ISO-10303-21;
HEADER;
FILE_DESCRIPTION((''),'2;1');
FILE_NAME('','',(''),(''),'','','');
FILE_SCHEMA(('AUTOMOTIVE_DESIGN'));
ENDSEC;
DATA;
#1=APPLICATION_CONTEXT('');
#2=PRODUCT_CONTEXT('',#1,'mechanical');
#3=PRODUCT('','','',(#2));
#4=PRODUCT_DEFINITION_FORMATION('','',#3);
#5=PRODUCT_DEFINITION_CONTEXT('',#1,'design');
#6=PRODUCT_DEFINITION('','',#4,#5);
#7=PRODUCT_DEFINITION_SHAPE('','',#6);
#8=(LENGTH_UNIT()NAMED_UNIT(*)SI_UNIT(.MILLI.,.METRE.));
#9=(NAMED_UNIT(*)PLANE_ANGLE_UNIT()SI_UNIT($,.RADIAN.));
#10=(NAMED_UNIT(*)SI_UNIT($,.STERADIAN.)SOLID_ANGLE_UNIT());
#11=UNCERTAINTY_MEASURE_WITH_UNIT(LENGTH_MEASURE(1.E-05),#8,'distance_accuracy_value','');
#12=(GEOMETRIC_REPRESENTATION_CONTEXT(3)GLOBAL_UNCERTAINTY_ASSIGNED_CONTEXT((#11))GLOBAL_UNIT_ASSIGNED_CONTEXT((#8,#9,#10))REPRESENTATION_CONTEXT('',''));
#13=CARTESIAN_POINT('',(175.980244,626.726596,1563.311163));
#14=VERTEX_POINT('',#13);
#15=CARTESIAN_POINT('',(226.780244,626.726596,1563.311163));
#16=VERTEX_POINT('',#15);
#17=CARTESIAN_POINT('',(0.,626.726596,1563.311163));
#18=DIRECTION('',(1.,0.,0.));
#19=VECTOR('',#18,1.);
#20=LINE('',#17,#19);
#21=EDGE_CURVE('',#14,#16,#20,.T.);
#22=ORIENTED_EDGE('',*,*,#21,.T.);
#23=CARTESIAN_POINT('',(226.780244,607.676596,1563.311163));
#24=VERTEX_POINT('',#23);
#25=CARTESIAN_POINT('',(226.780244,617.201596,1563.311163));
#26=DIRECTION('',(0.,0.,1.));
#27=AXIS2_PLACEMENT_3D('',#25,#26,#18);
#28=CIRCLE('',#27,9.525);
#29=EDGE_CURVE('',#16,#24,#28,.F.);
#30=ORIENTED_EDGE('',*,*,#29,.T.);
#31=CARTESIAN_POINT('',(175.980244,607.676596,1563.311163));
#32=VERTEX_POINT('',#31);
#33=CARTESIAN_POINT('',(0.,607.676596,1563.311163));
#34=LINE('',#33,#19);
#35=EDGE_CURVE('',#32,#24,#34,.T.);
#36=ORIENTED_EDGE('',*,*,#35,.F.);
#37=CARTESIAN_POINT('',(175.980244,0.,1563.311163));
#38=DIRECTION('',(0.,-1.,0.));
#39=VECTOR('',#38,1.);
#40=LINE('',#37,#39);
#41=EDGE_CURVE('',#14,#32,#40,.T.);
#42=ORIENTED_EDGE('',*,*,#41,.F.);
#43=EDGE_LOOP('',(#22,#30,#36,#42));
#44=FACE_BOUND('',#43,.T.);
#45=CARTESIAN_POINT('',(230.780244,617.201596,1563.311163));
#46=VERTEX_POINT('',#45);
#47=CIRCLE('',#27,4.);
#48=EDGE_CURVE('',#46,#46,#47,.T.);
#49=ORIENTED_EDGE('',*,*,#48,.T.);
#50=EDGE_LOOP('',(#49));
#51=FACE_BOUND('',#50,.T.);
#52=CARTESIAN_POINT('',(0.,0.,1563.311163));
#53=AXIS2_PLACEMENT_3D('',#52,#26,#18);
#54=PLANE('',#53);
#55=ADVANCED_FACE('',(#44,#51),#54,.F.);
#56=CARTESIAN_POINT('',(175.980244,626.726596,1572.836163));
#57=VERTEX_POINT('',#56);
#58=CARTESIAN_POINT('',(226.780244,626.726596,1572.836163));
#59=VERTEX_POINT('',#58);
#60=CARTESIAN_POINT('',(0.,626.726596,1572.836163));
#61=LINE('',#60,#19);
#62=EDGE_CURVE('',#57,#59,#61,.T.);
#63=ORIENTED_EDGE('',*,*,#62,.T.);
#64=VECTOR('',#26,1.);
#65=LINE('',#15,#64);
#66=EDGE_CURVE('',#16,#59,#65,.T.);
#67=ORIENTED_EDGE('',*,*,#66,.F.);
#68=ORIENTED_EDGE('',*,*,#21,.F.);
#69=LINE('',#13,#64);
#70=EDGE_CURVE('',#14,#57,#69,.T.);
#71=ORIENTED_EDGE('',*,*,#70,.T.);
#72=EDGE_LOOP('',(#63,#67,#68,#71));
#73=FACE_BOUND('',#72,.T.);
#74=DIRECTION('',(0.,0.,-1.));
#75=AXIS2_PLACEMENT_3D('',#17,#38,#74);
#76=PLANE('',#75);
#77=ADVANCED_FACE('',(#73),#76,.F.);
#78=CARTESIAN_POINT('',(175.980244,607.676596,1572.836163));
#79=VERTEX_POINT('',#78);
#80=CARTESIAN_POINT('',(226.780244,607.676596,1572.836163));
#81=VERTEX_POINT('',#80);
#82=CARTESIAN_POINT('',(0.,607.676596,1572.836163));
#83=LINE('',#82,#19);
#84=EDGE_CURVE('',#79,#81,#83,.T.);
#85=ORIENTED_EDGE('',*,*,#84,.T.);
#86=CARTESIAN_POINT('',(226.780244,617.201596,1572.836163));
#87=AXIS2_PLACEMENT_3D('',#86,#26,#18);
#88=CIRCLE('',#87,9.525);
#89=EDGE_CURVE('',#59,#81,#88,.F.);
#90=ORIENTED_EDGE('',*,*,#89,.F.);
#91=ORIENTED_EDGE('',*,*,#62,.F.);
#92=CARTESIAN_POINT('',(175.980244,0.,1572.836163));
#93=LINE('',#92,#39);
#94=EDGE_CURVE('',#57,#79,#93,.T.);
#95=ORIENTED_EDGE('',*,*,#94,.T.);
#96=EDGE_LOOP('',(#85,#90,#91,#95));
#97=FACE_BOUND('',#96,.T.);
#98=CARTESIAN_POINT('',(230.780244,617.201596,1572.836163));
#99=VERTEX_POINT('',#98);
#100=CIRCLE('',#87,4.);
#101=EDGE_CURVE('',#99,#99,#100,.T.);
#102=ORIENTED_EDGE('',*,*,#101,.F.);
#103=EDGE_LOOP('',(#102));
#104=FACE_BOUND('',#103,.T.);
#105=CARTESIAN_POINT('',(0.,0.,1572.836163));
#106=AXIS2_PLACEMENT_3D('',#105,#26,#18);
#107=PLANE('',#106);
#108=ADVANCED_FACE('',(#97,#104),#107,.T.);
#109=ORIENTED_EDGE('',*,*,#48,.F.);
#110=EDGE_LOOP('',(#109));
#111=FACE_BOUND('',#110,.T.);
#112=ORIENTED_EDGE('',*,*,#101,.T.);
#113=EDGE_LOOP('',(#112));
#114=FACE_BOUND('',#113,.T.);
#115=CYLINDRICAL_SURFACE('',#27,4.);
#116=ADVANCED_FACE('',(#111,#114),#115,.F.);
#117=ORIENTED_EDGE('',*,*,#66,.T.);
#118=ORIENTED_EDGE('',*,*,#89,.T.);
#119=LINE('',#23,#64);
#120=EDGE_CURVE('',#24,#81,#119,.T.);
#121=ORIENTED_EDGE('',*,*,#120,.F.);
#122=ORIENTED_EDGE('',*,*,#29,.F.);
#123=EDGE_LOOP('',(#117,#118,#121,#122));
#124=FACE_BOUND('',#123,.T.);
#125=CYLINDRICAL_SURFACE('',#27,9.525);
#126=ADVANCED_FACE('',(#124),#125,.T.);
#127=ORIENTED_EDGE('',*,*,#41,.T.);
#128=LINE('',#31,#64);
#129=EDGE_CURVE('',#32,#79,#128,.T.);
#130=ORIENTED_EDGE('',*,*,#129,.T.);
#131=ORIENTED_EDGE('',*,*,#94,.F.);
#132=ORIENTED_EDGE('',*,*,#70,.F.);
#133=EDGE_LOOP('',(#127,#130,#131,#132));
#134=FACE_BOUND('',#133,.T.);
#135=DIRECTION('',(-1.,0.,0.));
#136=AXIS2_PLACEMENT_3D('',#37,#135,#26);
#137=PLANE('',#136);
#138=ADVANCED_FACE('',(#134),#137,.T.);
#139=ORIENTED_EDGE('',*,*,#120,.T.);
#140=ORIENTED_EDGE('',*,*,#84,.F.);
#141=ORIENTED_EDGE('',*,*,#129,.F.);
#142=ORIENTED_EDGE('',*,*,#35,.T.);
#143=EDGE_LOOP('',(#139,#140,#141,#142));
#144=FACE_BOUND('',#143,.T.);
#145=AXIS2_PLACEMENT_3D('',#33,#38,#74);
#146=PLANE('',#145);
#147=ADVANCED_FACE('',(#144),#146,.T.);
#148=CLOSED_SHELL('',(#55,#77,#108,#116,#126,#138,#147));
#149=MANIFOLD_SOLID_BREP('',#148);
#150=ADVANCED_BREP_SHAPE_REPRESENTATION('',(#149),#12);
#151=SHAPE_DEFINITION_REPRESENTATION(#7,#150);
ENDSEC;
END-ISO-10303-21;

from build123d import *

# Parameters (mm, degrees)
BOSS_EXTRUDE1_DEPTH      = 4.7625
BOSS_EXTRUDE1_DEPTH_BACK = 4.7625


with BuildPart() as part:
    # Sketch1 → Boss-Extrude1 (new, two sides: drawn at the far end of the back side and taken through both)
    with BuildSketch(Plane.XY.offset(1568.073662845).offset(-BOSS_EXTRUDE1_DEPTH_BACK)):
        with BuildLine():
            Line((175.980244033, 626.72659627), (175.980244033, 617.20159627))
            Line((175.980244033, 617.20159627), (175.980244033, 607.67659627))
            Line((175.980244033, 607.67659627), (226.780244033, 607.67659627))
            ThreePointArc((226.780244033, 607.67659627), (236.305244033, 617.20159627), (226.780244033, 626.72659627))
            Line((226.780244033, 626.72659627), (175.980244033, 626.72659627))
        make_face()
        with BuildLine():
            ThreePointArc((230.780244033, 617.20159627), (226.780244033, 613.20159627), (222.780244033, 617.20159627))
            ThreePointArc((222.780244033, 617.20159627), (226.780244033, 621.20159627), (230.780244033, 617.20159627))
        make_face(mode=Mode.SUBTRACT)
    extrude(amount=BOSS_EXTRUDE1_DEPTH + BOSS_EXTRUDE1_DEPTH_BACK)


solid = part.part
